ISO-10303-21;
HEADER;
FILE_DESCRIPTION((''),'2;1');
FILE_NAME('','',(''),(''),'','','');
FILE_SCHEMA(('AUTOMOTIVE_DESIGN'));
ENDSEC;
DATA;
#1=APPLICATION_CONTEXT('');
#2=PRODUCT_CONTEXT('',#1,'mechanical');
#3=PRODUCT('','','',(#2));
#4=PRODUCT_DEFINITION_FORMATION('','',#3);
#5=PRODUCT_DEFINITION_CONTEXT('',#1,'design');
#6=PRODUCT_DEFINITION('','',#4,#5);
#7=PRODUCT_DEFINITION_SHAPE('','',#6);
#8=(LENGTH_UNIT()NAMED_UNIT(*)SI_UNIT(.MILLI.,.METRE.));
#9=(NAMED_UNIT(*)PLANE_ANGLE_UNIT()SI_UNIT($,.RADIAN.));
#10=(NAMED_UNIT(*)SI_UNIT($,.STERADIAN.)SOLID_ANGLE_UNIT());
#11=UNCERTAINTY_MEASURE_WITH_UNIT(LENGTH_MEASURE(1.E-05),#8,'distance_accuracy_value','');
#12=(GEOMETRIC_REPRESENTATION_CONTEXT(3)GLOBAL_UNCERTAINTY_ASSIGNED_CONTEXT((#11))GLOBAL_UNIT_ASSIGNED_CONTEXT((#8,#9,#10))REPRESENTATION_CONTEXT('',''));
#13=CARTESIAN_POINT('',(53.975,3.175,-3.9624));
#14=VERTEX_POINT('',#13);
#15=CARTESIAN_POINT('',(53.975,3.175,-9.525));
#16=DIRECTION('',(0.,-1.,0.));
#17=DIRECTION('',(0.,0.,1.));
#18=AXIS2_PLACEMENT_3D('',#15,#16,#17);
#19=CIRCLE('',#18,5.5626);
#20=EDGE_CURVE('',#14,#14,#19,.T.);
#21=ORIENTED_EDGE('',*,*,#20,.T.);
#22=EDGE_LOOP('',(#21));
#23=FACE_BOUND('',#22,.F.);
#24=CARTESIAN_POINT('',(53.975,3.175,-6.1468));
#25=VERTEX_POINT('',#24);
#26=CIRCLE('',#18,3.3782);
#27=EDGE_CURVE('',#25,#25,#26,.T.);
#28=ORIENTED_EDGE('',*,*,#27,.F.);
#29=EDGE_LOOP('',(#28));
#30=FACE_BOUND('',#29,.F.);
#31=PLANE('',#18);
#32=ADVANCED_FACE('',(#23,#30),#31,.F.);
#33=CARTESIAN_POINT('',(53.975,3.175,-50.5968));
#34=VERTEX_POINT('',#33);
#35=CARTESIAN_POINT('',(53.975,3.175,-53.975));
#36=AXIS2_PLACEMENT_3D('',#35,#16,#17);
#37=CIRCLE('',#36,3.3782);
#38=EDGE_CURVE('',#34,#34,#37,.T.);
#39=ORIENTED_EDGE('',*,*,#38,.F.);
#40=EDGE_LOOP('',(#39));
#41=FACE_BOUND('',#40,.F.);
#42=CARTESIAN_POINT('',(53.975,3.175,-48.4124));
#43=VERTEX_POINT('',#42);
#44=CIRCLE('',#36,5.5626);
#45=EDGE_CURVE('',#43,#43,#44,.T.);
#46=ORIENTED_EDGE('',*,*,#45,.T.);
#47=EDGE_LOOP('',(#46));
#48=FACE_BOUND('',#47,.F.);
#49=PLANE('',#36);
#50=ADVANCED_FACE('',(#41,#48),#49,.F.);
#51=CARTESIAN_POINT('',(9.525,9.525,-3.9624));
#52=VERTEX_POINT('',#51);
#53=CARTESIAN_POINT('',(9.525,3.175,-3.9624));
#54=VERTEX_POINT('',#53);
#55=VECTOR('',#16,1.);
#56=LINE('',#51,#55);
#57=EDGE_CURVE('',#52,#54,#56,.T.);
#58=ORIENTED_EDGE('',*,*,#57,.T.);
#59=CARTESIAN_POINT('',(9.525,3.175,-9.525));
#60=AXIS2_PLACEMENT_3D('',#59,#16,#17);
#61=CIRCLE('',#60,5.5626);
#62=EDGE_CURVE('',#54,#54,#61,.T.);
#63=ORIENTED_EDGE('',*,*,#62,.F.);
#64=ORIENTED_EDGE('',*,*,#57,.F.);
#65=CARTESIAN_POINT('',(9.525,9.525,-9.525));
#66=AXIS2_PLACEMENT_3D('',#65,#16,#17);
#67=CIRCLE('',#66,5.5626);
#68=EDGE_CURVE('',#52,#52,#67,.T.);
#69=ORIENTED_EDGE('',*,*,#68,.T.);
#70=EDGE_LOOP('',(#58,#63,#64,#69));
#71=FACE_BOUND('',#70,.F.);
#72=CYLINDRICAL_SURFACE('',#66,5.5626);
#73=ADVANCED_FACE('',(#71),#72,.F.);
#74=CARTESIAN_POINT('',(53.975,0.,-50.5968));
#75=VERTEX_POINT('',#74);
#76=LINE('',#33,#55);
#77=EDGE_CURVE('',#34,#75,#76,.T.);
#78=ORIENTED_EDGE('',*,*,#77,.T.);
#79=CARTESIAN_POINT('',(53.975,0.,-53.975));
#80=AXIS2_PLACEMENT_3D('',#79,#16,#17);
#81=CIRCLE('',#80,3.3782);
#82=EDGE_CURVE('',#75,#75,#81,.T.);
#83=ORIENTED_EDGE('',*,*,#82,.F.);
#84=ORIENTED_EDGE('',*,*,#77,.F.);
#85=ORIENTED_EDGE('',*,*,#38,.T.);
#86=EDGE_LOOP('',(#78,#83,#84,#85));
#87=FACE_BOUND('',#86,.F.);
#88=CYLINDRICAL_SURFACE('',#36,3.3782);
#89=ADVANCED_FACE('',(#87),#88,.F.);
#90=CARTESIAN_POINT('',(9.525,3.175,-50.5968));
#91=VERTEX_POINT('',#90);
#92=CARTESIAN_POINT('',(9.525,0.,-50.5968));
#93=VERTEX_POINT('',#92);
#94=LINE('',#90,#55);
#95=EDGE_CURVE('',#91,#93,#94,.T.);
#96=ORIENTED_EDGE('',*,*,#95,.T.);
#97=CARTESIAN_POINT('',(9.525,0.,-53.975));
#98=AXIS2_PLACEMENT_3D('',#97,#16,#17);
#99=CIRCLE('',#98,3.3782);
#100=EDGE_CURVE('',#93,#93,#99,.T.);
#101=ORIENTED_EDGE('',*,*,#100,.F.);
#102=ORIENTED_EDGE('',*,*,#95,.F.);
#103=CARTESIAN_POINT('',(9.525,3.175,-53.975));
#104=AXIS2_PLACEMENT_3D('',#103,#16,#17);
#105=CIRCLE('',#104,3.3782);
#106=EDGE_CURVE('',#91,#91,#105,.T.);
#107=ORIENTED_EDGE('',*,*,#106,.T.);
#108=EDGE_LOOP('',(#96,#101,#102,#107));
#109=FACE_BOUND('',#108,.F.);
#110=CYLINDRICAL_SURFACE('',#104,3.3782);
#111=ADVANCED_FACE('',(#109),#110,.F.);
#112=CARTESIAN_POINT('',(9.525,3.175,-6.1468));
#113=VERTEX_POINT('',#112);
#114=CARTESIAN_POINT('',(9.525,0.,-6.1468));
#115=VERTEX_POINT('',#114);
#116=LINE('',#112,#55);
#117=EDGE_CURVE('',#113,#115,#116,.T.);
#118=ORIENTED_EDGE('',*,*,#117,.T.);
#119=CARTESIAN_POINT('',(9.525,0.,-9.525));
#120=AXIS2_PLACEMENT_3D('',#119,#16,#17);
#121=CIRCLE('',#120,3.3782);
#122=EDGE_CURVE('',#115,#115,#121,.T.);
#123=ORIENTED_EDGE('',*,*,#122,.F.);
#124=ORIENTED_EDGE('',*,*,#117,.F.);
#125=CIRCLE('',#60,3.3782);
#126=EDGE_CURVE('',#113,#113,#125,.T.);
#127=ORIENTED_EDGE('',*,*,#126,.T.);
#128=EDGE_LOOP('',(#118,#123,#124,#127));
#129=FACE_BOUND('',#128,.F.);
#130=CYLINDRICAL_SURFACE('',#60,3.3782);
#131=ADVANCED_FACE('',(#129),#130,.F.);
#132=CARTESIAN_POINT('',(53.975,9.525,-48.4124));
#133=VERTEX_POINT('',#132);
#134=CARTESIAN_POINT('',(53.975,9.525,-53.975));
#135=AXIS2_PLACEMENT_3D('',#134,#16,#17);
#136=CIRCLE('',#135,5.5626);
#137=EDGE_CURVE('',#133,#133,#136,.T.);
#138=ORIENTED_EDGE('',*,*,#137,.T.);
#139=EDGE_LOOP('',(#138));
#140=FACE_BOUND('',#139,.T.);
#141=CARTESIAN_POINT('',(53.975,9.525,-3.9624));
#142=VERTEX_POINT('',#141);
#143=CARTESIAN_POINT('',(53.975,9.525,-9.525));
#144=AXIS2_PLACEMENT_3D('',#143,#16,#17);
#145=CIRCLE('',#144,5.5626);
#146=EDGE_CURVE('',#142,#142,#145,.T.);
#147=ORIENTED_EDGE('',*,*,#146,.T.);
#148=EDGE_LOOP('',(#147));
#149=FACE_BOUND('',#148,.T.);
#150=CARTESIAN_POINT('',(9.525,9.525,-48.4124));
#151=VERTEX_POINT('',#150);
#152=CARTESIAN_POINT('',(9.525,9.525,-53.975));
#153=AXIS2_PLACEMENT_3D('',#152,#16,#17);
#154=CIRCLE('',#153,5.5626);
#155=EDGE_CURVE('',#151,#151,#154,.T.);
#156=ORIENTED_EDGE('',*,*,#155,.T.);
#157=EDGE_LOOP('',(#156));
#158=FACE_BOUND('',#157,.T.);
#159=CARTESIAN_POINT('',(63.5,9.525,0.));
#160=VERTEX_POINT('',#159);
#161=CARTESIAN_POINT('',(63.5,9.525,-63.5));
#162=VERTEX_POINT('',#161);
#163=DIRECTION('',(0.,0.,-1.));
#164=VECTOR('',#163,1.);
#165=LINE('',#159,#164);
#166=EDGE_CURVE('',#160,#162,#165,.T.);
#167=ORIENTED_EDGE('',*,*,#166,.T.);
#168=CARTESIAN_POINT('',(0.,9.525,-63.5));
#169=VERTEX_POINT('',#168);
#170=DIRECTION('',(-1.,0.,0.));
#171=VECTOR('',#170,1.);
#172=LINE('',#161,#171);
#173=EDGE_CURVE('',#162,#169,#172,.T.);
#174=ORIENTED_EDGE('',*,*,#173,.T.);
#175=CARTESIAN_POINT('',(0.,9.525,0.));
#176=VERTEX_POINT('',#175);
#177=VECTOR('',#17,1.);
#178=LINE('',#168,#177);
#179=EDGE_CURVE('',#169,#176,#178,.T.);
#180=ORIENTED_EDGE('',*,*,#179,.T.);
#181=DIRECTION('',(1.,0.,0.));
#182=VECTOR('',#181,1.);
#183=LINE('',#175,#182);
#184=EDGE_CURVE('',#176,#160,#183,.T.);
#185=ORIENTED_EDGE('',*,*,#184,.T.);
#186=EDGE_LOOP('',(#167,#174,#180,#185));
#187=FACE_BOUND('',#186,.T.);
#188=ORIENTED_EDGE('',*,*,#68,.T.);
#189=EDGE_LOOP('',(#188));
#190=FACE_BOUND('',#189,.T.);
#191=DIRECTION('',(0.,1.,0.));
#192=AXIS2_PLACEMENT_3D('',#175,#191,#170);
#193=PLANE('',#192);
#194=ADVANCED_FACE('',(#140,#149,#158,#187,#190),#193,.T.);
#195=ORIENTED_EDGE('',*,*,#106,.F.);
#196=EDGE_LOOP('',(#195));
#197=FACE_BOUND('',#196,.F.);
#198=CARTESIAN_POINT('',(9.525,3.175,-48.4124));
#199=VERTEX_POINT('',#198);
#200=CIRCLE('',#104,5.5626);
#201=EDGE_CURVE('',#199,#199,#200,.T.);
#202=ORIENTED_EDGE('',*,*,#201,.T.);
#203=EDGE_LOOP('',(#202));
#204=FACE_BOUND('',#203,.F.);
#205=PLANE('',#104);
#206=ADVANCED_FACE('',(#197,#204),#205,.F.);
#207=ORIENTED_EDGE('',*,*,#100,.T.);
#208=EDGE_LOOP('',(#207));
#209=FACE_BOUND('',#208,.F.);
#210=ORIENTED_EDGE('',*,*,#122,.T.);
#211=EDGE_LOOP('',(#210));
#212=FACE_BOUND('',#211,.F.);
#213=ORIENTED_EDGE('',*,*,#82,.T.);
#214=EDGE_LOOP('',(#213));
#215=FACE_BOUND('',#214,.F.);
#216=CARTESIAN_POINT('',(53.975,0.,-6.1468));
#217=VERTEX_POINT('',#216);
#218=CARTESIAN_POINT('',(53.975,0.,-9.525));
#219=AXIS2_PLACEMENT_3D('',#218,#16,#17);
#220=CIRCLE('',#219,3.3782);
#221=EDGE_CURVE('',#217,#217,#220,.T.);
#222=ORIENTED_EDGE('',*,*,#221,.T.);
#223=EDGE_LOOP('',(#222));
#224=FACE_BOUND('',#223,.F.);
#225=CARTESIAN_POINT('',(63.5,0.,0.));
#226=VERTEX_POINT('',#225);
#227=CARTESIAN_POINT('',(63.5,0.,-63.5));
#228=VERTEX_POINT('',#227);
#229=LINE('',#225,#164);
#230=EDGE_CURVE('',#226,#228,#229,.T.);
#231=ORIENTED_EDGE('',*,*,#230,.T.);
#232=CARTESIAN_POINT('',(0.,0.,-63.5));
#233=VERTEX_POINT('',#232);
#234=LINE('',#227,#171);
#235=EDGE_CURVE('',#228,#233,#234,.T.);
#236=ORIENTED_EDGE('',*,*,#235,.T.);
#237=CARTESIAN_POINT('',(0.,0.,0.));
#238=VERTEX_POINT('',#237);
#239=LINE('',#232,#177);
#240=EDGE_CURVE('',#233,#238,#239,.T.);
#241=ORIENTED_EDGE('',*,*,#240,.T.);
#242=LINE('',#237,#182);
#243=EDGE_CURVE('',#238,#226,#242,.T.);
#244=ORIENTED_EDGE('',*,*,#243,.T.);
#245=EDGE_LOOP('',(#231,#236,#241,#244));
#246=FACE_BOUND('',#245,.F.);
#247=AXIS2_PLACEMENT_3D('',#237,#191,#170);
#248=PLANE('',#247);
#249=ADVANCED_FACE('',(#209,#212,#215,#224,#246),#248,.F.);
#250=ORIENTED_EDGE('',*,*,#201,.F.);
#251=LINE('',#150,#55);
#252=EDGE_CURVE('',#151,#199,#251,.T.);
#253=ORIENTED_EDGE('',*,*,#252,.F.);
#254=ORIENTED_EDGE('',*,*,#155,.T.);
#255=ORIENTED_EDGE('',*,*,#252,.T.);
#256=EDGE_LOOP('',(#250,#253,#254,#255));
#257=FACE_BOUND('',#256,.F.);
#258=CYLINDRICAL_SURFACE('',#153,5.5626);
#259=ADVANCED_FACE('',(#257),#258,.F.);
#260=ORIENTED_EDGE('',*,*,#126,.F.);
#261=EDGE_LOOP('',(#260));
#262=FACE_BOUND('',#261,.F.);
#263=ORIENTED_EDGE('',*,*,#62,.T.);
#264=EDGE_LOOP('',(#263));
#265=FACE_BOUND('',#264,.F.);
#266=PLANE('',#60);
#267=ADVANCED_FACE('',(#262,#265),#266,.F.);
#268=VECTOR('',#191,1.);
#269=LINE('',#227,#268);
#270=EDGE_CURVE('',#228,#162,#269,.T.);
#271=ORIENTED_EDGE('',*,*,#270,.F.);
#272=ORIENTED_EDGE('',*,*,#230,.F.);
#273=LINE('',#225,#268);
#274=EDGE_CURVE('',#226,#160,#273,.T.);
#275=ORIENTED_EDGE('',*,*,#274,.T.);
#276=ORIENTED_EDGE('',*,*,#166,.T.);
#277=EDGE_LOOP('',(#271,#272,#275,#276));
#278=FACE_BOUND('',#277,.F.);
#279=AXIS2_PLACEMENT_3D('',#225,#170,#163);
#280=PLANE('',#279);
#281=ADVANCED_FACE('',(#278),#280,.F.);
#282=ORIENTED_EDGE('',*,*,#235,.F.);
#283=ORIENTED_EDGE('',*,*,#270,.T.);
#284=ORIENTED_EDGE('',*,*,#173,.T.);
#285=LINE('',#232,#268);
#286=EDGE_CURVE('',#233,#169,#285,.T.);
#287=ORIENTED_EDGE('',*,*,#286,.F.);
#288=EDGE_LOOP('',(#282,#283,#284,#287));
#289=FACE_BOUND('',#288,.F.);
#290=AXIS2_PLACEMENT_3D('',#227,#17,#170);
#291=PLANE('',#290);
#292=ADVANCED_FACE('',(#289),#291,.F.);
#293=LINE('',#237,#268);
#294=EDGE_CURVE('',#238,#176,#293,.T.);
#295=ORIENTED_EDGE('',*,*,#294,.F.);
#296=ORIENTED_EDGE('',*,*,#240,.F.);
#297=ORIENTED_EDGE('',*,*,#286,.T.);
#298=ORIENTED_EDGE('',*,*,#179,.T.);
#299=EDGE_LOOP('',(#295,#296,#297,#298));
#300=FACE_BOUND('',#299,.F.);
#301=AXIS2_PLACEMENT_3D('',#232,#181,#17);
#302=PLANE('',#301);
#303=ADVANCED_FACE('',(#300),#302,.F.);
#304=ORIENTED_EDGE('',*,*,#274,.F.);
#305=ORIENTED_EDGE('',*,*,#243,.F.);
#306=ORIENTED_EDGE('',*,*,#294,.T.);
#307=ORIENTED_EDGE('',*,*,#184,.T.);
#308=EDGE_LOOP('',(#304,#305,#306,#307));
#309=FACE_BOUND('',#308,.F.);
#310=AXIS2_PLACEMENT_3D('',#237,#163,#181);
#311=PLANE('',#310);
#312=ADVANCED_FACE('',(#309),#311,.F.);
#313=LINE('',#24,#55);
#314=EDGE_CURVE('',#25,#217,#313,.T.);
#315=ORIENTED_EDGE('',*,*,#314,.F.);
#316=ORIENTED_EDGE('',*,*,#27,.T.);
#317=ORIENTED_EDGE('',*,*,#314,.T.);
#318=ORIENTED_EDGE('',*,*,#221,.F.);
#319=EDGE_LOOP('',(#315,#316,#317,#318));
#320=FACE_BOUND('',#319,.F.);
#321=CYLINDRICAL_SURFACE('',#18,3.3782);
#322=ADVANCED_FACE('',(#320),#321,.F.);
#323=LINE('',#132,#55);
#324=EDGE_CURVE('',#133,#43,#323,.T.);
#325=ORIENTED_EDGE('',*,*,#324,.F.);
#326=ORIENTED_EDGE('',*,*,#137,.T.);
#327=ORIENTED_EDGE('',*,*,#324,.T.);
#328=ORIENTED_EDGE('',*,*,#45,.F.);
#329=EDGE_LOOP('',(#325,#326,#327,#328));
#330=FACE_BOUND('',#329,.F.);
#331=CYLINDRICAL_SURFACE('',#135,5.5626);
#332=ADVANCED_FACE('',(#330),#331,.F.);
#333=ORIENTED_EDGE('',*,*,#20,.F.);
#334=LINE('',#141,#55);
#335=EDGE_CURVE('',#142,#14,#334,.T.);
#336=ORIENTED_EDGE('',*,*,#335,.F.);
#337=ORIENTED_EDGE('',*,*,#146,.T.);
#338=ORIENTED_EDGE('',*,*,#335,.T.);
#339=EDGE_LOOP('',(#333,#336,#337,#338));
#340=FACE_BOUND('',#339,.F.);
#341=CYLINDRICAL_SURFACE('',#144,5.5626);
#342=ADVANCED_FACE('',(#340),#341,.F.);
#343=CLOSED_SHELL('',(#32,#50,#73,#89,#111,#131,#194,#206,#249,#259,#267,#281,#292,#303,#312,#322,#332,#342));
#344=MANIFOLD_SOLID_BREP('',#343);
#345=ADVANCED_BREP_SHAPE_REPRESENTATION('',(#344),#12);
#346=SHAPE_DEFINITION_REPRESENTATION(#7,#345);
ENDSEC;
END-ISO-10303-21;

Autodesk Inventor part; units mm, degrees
ref_plane "YZ Plane" through (0, 0, 0) normal (1, 0, 0) x (0, 1, 0)
ref_plane "XZ Plane" through (0, 0, 0) normal (0, 1, 0) x (-1, 0, 0)
ref_plane "XY Plane" through (0, 0, 0) normal (0, 0, 1) x (1, 0, 0)
sketch "Sketch1" plane through (0, 0, 0) normal (0, 1, 0) x (-1, 0, 0)
  line L0 (0, 0) -> (-63.5, 0)
  line L1 (-63.5, 0) -> (-63.5, -63.5)
  line L2 (-63.5, -63.5) -> (0, -63.5)
  line L3 (0, -63.5) -> (0, 0)
  dimension "d0" = 63.5
  dimension "d1" = 63.5
extrude "Extrusion1" add sketch "Sketch1" along normal blind 9.525
sketch "Sketch2" plane through (0, 9.525, 0) normal (0, 1, 0) x (1, 0, 0)
  line L0 (0, 0) -> (63.5, 0) projected
  line L1 (63.5, 0) -> (63.5, 63.5) projected
  line L2 (63.5, 63.5) -> (0, 63.5) projected
  line L3 (0, 63.5) -> (0, 0) projected
  line L4 (9.525, 53.975) -> (53.975, 53.975)
  line L5 (53.975, 53.975) -> (53.975, 9.525)
  line L6 (53.975, 9.525) -> (9.525, 9.525)
  line L7 (9.525, 9.525) -> (9.525, 53.975)
  dimension "d4" = 9.525
hole "Hole1" at (53.975, 9.525, -9.525) at (53.975, 9.525, -53.975) at (9.525, 9.525, -53.975) at (9.525, 9.525, -9.525) direction (0, -1, 0) diameter 6.7564 end through all counterbore diameter 11.1252 counterbore depth 6.35 clearance for "Socket Head Cap Screw" size "1/4" standard "Ansi Unified Screw Threads"
equation "\"d0\" = d1"
properties part number "Block"
